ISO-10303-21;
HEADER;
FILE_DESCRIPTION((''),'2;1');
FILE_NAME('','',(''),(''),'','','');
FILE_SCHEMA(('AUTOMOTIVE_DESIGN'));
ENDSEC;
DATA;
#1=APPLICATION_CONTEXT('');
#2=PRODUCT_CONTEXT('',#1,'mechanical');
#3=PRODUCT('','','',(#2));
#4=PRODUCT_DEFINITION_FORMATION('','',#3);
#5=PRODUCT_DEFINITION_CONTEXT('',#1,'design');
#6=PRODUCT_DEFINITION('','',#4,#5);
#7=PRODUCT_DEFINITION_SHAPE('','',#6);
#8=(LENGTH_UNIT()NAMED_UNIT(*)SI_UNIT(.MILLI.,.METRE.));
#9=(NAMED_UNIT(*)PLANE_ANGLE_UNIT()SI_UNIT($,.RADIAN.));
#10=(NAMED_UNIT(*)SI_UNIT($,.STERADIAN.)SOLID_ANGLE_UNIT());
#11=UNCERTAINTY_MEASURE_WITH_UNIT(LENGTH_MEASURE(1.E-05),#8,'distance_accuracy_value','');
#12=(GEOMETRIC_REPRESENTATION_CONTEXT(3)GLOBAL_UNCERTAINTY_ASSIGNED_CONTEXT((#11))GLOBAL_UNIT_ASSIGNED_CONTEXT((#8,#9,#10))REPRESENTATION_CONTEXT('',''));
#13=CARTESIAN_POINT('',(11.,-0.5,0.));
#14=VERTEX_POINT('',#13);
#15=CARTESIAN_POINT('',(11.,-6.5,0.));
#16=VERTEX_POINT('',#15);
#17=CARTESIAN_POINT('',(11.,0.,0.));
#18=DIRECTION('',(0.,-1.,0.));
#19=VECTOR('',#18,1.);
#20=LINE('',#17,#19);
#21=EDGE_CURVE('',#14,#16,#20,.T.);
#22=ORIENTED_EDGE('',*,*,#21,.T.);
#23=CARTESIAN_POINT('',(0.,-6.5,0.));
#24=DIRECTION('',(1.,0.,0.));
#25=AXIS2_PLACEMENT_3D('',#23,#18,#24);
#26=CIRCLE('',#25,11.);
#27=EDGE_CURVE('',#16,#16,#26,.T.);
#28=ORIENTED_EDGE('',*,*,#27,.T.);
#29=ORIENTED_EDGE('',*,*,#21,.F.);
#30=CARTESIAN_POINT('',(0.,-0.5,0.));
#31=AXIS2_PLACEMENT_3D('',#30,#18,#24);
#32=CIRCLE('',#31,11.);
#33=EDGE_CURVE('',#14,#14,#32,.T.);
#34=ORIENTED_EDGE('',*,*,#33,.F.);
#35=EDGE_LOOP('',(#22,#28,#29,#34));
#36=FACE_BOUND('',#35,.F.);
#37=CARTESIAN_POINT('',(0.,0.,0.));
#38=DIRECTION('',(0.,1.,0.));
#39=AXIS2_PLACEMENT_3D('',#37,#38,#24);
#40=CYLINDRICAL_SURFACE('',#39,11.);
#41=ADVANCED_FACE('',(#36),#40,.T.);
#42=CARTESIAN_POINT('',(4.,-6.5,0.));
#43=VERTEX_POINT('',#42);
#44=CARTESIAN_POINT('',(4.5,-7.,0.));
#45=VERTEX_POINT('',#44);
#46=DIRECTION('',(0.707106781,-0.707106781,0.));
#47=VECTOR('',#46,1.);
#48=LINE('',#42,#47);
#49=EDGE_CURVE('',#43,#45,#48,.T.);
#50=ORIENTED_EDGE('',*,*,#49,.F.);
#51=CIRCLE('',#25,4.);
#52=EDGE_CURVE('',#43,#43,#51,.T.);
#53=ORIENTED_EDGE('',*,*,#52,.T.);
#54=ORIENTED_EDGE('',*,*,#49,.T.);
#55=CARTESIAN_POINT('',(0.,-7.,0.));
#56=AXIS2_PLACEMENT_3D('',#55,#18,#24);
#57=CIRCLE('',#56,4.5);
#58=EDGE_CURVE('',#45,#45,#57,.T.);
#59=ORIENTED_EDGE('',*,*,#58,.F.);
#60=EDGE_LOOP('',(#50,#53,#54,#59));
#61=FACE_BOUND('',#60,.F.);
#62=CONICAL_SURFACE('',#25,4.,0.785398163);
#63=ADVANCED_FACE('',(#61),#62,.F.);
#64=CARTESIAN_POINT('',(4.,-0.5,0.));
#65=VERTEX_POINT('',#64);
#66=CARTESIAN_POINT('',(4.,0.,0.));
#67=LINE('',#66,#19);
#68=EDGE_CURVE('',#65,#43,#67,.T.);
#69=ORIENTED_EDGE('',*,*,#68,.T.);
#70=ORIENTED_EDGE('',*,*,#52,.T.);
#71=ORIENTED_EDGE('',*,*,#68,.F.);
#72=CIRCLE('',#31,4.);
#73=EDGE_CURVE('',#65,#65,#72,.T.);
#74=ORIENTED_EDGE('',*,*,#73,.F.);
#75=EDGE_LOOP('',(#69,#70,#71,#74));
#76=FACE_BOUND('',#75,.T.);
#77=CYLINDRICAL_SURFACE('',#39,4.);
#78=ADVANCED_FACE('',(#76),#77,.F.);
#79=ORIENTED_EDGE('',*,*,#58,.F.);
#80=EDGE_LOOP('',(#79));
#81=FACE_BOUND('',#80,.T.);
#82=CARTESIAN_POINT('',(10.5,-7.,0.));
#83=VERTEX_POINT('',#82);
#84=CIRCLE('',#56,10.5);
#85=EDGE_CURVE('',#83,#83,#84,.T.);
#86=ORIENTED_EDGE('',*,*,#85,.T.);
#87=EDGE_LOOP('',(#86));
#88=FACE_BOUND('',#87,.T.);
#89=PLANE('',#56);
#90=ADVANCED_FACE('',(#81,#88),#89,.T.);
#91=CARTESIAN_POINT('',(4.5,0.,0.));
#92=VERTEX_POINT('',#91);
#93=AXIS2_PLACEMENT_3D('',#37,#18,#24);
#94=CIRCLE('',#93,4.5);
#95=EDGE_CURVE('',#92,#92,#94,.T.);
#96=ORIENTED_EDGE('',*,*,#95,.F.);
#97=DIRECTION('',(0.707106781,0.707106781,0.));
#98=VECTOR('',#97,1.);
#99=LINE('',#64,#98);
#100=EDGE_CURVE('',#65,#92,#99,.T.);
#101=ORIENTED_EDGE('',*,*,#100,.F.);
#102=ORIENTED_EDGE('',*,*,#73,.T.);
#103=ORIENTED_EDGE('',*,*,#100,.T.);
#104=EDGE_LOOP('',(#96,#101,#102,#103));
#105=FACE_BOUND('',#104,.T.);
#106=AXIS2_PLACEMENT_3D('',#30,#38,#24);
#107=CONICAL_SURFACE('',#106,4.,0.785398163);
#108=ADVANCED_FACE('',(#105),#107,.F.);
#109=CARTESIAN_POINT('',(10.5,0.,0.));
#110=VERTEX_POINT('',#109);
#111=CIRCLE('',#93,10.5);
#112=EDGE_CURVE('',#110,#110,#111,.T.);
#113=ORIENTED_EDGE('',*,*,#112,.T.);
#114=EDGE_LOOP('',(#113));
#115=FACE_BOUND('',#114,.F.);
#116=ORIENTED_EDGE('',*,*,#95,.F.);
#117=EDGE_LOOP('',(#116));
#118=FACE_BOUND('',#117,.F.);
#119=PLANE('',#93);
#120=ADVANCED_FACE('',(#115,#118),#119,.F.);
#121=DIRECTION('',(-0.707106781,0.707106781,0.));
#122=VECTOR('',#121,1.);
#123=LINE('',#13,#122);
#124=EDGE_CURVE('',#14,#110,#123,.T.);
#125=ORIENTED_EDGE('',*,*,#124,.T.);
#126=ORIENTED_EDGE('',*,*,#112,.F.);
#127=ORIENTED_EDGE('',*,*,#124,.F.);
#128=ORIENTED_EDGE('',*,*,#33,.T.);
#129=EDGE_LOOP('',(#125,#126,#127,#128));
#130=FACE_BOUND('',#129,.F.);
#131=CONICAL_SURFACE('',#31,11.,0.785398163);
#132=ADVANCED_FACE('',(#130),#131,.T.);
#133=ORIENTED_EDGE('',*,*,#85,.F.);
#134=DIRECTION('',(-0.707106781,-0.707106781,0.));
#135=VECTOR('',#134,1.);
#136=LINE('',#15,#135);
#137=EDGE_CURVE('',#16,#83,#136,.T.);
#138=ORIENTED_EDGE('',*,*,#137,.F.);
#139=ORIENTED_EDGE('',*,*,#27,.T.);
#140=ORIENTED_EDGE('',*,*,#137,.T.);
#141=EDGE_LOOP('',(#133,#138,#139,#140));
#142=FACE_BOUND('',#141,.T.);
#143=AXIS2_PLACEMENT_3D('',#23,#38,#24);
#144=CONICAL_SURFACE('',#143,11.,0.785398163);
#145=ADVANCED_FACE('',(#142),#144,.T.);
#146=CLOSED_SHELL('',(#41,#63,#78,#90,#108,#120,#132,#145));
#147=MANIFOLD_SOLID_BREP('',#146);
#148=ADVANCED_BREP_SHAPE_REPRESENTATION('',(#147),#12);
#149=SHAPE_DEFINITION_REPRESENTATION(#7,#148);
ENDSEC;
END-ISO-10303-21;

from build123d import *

# Parameters (mm, degrees)
F0_R     = 11
F0_R_2   = 4
F1_DEPTH = 7
F2_SIZE  = 0.5


with BuildPart() as f1:
    # F0 (on Front) → F1 (new body)
    with BuildSketch(Plane.XZ):
        Circle(F0_R)
        Circle(F0_R_2, mode=Mode.SUBTRACT)
    extrude(amount=F1_DEPTH)

    # F2
    f2_edges = [f1.edges().sort_by_distance(p)[0] for p in [
        (11, -3.5, 0),
        (-11, 0, 0),
        (-11, -7, 0),
        (4, -3.5, 0),
        (-4, 0, 0),
        (-4, -7, 0),
    ]]
    chamfer(f2_edges, length=F2_SIZE)


solid = f1.part
